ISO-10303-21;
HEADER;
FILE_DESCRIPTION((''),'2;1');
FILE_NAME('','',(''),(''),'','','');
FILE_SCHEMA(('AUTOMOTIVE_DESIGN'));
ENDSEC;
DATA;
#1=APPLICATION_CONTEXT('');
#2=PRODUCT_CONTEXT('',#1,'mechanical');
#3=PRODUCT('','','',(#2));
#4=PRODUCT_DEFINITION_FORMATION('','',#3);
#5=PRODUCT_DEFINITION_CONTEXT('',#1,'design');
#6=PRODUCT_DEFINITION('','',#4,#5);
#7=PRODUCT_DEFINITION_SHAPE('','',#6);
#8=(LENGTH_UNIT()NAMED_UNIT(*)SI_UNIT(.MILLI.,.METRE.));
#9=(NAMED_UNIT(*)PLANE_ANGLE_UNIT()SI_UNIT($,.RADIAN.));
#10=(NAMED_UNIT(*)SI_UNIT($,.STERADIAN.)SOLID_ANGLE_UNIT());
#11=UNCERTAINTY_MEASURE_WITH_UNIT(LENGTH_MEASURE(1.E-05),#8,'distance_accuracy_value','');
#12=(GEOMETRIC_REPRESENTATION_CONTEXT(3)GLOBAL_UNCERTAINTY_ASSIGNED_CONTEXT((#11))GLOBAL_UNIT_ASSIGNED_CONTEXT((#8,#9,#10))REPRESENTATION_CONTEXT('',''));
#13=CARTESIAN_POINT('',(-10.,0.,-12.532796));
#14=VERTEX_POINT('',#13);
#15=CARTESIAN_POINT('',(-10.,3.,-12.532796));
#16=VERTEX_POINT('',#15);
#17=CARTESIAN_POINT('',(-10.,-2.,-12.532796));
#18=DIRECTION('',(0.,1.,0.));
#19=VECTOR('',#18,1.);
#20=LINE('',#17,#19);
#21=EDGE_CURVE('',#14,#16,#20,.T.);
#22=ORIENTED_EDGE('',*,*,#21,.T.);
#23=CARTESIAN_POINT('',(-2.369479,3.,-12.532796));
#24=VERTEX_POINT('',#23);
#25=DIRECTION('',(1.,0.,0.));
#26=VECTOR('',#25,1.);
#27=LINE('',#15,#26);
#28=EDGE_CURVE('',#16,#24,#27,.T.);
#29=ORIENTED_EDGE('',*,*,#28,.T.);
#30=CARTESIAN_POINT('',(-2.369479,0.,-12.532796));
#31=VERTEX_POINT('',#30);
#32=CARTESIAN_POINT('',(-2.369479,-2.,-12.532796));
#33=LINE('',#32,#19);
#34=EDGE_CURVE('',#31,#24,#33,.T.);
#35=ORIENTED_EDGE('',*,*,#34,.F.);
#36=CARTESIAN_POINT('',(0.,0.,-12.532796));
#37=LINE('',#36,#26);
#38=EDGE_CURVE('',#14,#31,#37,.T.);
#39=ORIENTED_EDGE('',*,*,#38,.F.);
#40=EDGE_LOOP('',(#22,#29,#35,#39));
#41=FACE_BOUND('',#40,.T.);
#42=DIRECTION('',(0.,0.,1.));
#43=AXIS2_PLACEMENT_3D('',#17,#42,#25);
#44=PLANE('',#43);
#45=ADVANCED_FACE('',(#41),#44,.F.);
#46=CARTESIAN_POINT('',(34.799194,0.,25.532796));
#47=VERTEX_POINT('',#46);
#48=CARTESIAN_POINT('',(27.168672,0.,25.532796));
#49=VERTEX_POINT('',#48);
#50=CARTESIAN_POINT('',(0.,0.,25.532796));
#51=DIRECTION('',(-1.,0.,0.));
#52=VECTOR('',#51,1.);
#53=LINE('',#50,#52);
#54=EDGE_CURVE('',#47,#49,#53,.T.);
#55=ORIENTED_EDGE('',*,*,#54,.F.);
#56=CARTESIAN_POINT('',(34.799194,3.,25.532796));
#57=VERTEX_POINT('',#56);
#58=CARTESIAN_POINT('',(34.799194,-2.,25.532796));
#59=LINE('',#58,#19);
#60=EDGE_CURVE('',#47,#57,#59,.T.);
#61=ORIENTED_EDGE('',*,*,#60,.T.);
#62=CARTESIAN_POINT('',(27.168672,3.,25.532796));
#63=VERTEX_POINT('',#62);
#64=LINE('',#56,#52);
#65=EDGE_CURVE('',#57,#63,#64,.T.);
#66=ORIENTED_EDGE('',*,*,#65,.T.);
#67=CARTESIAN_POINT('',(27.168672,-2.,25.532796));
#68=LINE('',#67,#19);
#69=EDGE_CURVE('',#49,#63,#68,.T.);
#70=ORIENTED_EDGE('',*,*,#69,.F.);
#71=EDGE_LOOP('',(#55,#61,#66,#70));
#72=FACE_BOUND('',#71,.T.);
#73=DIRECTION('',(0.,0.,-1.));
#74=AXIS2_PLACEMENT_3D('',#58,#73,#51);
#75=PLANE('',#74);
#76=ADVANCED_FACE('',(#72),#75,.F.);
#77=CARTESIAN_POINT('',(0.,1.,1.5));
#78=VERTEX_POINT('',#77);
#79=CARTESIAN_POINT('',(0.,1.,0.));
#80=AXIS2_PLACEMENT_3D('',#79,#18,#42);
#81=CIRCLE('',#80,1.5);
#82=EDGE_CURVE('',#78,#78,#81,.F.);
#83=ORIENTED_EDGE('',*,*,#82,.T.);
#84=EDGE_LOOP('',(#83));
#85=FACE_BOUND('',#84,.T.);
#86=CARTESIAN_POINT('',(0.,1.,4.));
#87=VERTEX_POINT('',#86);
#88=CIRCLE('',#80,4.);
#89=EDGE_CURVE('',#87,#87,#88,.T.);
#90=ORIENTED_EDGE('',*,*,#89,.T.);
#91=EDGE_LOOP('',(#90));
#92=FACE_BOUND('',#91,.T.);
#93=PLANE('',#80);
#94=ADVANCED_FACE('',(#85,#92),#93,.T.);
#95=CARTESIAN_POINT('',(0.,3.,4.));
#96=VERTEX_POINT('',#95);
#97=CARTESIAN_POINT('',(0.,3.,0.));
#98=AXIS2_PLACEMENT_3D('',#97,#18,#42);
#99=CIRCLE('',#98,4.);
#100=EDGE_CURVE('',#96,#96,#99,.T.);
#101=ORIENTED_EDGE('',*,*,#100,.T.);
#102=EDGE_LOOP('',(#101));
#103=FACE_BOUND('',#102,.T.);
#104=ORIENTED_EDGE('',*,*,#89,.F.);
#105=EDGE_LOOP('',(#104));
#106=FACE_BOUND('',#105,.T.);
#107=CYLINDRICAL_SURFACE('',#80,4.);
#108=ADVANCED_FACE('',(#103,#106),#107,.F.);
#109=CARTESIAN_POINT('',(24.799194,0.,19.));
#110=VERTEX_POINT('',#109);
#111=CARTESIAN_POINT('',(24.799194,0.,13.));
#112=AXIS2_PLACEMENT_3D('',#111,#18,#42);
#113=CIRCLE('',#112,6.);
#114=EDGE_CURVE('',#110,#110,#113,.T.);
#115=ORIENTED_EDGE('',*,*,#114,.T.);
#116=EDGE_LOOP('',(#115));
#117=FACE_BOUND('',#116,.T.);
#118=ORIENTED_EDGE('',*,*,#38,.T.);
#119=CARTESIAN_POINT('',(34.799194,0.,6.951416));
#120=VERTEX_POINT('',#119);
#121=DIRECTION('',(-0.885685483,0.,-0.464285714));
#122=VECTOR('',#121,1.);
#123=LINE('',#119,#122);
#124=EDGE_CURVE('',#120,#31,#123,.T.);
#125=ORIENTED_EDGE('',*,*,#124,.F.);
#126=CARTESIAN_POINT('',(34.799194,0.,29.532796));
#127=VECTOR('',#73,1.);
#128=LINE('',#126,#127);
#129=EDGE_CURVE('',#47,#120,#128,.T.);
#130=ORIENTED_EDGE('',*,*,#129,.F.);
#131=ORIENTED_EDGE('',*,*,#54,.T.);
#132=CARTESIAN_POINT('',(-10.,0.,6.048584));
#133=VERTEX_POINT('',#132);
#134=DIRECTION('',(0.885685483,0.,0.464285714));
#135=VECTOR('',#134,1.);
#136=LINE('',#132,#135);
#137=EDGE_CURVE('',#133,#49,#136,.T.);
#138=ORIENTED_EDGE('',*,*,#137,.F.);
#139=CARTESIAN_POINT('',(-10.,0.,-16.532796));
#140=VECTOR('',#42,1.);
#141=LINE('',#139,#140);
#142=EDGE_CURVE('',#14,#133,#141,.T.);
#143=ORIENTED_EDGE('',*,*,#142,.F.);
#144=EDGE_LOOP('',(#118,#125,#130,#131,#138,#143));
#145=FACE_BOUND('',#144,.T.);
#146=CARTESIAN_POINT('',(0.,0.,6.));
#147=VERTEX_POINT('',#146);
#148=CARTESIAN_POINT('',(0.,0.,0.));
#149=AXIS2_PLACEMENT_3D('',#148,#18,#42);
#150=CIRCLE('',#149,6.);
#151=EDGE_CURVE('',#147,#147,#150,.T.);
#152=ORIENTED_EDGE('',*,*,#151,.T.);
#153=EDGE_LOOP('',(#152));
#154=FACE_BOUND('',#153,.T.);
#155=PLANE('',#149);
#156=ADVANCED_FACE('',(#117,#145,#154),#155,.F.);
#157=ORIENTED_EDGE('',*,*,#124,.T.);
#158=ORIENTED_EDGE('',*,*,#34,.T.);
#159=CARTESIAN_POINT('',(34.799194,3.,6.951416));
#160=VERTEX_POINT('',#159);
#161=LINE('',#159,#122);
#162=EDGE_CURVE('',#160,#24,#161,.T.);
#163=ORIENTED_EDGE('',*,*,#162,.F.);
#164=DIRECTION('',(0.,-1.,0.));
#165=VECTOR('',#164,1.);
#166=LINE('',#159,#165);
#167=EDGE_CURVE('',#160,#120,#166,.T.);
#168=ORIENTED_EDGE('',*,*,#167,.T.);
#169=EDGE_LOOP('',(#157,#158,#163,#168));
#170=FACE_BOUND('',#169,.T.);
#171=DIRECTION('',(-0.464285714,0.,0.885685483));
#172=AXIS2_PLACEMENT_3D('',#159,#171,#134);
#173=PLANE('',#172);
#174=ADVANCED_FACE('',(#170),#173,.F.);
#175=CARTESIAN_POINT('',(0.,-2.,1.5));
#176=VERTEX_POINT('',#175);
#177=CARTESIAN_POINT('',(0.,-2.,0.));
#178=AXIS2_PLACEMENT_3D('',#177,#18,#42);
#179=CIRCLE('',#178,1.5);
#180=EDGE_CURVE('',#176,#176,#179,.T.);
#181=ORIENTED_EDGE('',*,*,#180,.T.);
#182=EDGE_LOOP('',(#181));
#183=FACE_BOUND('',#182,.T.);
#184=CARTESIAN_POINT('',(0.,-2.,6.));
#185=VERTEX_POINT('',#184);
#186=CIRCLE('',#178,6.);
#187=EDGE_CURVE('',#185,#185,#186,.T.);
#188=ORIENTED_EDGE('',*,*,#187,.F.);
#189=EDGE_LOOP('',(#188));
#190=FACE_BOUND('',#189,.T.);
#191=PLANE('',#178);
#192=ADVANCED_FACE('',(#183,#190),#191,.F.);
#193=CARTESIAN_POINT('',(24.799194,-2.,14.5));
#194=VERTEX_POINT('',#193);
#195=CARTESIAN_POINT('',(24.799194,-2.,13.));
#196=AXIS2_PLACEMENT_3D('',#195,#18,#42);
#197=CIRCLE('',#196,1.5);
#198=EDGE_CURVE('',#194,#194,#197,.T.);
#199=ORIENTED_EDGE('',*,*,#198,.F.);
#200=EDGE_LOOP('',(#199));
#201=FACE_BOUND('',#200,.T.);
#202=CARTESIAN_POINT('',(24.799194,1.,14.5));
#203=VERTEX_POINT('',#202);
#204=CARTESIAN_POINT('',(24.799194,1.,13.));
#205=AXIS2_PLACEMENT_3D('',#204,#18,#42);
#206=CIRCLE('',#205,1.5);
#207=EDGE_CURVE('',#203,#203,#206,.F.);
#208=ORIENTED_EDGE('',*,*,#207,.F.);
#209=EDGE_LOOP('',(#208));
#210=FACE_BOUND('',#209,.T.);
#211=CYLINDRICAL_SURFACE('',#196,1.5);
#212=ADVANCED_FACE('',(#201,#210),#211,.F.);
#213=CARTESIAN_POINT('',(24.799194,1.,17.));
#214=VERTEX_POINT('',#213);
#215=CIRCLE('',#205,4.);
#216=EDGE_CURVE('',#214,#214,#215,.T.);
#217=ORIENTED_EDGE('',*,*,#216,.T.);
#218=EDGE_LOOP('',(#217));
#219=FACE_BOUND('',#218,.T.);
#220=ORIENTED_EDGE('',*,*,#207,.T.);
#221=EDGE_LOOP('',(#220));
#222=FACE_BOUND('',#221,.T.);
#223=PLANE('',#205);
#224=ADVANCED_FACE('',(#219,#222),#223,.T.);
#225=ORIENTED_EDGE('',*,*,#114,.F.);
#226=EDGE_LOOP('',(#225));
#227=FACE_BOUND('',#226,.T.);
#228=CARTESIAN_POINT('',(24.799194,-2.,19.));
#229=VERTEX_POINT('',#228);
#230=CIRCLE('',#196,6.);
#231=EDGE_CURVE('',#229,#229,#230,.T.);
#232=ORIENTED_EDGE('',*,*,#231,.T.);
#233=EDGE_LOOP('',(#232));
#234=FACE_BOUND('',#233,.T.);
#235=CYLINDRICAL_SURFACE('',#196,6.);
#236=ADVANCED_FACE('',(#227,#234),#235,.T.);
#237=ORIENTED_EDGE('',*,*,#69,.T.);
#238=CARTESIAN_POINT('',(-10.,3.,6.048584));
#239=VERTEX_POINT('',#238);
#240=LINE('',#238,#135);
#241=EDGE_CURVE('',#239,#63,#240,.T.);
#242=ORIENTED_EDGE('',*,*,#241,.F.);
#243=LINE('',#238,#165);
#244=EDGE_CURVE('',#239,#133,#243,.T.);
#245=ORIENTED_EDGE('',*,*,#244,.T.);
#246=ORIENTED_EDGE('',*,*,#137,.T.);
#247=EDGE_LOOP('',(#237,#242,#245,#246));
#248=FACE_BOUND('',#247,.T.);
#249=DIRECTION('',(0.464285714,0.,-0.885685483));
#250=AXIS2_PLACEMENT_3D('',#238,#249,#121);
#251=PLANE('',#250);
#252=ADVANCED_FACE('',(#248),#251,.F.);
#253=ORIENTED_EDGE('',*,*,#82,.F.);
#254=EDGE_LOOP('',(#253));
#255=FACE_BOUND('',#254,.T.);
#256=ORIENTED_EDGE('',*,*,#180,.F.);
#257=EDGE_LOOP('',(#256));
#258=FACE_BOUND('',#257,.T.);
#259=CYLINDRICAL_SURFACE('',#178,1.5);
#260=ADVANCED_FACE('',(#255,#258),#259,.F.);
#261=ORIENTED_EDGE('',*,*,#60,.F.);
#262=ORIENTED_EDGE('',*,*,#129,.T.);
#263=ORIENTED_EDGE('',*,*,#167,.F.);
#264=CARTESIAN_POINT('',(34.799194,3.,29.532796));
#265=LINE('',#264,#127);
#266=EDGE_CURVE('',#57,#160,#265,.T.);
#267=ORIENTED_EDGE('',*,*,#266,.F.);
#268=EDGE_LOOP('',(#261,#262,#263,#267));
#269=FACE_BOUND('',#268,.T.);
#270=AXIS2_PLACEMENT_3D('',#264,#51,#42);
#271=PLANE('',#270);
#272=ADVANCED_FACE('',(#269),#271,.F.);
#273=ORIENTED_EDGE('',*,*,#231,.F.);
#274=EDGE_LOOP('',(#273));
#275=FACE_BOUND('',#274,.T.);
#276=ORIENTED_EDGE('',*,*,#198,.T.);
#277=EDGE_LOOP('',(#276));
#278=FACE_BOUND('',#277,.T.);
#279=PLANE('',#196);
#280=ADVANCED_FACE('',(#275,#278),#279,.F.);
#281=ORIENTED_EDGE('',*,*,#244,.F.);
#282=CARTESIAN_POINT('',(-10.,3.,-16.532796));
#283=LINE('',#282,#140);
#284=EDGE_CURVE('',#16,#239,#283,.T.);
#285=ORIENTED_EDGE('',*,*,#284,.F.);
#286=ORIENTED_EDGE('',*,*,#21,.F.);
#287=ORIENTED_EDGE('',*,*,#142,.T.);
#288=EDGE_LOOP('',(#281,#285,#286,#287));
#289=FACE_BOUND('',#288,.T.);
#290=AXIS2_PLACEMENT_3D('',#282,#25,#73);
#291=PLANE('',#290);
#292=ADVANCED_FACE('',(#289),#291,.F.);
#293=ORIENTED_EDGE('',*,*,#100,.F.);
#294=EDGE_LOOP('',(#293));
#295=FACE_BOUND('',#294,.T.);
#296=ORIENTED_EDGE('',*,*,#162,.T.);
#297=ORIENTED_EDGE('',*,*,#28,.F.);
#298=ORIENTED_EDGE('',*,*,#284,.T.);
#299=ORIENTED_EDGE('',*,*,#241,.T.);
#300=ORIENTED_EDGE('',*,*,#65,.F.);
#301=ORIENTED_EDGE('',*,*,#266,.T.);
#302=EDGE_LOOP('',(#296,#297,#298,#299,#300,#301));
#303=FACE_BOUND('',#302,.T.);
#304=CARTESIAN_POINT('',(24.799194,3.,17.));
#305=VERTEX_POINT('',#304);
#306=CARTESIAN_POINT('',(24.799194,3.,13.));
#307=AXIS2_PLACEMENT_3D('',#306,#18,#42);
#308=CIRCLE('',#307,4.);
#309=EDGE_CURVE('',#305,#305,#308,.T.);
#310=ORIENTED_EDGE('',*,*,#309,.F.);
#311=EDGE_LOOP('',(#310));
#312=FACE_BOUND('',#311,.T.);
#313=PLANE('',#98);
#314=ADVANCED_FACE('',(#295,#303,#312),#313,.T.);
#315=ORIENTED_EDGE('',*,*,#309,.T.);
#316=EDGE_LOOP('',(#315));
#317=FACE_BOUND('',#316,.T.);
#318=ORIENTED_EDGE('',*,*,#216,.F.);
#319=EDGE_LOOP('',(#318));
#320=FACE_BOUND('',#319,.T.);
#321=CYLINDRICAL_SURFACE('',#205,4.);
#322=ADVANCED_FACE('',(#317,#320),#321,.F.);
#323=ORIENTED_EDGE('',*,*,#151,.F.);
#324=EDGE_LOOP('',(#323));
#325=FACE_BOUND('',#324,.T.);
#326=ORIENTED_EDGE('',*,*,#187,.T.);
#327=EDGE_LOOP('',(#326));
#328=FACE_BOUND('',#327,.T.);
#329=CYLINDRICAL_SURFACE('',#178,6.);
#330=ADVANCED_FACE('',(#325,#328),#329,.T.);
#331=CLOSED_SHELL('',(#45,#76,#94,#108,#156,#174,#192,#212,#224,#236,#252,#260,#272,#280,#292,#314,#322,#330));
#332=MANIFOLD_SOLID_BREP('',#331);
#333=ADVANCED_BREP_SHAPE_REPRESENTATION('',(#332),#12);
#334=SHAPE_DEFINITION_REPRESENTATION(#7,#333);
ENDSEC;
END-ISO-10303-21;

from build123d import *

# Parameters (mm, degrees)
BOSS_EXTRUDE1_DEPTH = 3
SKETCH1_R           = 6
BOSS_EXTRUDE3_DEPTH = 2
SKETCH4_R           = 1.5
CUT_EXTRUDE1_DEPTH  = 46.914811248
SKETCH5_R           = 4
CUT_EXTRUDE2_DEPTH  = 2
CUT_EXTRUDE3_DEPTH  = 46.914811248


with BuildPart() as part:
    # Sketch3 → Boss-Extrude1 (new body)
    with BuildSketch(Plane(origin=(0, 0, 0), x_dir=(1, 0, 0), z_dir=(0, 1, 0))):
        Polygon((-10, 16.53279569), (-10, -6.048583789), (34.799193535, -29.53279569), (34.799193535, -6.951416211), align=None)
    extrude(amount=BOSS_EXTRUDE1_DEPTH)

    # Sketch1 → Boss-Extrude3 (add)
    with BuildSketch(Plane(origin=(0, 0, 0), x_dir=(1, 0, 0), z_dir=(0, 1, 0))):
        with Locations(Location((0, 0, 0), (0, 0, 270))):
            Circle(SKETCH1_R)
        with Locations(Location((24.799193535, -13, 0), (0, 0, 270))):
            Circle(SKETCH1_R)
    extrude(amount=-BOSS_EXTRUDE3_DEPTH)

    # Sketch4 → Cut-Extrude1 (cut, through all)
    with BuildSketch(Plane(origin=(0, 3, 0), x_dir=(1, 0, 0), z_dir=(0, 1, 0))):
        with Locations(Location((0, 0, 0), (0, 0, 270))):
            Circle(SKETCH4_R)
        with Locations(Location((24.799193535, -13, 0), (0, 0, 270))):
            Circle(SKETCH4_R)
    extrude(amount=-CUT_EXTRUDE1_DEPTH, mode=Mode.SUBTRACT)

    # Sketch5 → Cut-Extrude2 (cut)
    with BuildSketch(Plane(origin=(0, 3, 0), x_dir=(1, 0, 0), z_dir=(0, 1, 0))):
        with Locations(Location((0, 0, 0), (0, 0, 270))):
            Circle(SKETCH5_R)
        with Locations(Location((24.799193535, -13, 0), (0, 0, 270))):
            Circle(SKETCH5_R)
    extrude(amount=-CUT_EXTRUDE2_DEPTH, mode=Mode.SUBTRACT)

    # Sketch7 → Cut-Extrude3 (cut, through all)
    with BuildSketch(Plane(origin=(0, 3, 0), x_dir=(1, 0, 0), z_dir=(0, 1, 0))):
        Polygon((-10, 16.53279569), (-10, 12.53279569), (-2.369478912, 12.53279569), align=None)
        Polygon((34.799193535, -29.53279569), (34.799193535, -25.53279569), (27.168672447, -25.53279569), align=None)
    extrude(amount=-CUT_EXTRUDE3_DEPTH, mode=Mode.SUBTRACT)


solid = part.part
